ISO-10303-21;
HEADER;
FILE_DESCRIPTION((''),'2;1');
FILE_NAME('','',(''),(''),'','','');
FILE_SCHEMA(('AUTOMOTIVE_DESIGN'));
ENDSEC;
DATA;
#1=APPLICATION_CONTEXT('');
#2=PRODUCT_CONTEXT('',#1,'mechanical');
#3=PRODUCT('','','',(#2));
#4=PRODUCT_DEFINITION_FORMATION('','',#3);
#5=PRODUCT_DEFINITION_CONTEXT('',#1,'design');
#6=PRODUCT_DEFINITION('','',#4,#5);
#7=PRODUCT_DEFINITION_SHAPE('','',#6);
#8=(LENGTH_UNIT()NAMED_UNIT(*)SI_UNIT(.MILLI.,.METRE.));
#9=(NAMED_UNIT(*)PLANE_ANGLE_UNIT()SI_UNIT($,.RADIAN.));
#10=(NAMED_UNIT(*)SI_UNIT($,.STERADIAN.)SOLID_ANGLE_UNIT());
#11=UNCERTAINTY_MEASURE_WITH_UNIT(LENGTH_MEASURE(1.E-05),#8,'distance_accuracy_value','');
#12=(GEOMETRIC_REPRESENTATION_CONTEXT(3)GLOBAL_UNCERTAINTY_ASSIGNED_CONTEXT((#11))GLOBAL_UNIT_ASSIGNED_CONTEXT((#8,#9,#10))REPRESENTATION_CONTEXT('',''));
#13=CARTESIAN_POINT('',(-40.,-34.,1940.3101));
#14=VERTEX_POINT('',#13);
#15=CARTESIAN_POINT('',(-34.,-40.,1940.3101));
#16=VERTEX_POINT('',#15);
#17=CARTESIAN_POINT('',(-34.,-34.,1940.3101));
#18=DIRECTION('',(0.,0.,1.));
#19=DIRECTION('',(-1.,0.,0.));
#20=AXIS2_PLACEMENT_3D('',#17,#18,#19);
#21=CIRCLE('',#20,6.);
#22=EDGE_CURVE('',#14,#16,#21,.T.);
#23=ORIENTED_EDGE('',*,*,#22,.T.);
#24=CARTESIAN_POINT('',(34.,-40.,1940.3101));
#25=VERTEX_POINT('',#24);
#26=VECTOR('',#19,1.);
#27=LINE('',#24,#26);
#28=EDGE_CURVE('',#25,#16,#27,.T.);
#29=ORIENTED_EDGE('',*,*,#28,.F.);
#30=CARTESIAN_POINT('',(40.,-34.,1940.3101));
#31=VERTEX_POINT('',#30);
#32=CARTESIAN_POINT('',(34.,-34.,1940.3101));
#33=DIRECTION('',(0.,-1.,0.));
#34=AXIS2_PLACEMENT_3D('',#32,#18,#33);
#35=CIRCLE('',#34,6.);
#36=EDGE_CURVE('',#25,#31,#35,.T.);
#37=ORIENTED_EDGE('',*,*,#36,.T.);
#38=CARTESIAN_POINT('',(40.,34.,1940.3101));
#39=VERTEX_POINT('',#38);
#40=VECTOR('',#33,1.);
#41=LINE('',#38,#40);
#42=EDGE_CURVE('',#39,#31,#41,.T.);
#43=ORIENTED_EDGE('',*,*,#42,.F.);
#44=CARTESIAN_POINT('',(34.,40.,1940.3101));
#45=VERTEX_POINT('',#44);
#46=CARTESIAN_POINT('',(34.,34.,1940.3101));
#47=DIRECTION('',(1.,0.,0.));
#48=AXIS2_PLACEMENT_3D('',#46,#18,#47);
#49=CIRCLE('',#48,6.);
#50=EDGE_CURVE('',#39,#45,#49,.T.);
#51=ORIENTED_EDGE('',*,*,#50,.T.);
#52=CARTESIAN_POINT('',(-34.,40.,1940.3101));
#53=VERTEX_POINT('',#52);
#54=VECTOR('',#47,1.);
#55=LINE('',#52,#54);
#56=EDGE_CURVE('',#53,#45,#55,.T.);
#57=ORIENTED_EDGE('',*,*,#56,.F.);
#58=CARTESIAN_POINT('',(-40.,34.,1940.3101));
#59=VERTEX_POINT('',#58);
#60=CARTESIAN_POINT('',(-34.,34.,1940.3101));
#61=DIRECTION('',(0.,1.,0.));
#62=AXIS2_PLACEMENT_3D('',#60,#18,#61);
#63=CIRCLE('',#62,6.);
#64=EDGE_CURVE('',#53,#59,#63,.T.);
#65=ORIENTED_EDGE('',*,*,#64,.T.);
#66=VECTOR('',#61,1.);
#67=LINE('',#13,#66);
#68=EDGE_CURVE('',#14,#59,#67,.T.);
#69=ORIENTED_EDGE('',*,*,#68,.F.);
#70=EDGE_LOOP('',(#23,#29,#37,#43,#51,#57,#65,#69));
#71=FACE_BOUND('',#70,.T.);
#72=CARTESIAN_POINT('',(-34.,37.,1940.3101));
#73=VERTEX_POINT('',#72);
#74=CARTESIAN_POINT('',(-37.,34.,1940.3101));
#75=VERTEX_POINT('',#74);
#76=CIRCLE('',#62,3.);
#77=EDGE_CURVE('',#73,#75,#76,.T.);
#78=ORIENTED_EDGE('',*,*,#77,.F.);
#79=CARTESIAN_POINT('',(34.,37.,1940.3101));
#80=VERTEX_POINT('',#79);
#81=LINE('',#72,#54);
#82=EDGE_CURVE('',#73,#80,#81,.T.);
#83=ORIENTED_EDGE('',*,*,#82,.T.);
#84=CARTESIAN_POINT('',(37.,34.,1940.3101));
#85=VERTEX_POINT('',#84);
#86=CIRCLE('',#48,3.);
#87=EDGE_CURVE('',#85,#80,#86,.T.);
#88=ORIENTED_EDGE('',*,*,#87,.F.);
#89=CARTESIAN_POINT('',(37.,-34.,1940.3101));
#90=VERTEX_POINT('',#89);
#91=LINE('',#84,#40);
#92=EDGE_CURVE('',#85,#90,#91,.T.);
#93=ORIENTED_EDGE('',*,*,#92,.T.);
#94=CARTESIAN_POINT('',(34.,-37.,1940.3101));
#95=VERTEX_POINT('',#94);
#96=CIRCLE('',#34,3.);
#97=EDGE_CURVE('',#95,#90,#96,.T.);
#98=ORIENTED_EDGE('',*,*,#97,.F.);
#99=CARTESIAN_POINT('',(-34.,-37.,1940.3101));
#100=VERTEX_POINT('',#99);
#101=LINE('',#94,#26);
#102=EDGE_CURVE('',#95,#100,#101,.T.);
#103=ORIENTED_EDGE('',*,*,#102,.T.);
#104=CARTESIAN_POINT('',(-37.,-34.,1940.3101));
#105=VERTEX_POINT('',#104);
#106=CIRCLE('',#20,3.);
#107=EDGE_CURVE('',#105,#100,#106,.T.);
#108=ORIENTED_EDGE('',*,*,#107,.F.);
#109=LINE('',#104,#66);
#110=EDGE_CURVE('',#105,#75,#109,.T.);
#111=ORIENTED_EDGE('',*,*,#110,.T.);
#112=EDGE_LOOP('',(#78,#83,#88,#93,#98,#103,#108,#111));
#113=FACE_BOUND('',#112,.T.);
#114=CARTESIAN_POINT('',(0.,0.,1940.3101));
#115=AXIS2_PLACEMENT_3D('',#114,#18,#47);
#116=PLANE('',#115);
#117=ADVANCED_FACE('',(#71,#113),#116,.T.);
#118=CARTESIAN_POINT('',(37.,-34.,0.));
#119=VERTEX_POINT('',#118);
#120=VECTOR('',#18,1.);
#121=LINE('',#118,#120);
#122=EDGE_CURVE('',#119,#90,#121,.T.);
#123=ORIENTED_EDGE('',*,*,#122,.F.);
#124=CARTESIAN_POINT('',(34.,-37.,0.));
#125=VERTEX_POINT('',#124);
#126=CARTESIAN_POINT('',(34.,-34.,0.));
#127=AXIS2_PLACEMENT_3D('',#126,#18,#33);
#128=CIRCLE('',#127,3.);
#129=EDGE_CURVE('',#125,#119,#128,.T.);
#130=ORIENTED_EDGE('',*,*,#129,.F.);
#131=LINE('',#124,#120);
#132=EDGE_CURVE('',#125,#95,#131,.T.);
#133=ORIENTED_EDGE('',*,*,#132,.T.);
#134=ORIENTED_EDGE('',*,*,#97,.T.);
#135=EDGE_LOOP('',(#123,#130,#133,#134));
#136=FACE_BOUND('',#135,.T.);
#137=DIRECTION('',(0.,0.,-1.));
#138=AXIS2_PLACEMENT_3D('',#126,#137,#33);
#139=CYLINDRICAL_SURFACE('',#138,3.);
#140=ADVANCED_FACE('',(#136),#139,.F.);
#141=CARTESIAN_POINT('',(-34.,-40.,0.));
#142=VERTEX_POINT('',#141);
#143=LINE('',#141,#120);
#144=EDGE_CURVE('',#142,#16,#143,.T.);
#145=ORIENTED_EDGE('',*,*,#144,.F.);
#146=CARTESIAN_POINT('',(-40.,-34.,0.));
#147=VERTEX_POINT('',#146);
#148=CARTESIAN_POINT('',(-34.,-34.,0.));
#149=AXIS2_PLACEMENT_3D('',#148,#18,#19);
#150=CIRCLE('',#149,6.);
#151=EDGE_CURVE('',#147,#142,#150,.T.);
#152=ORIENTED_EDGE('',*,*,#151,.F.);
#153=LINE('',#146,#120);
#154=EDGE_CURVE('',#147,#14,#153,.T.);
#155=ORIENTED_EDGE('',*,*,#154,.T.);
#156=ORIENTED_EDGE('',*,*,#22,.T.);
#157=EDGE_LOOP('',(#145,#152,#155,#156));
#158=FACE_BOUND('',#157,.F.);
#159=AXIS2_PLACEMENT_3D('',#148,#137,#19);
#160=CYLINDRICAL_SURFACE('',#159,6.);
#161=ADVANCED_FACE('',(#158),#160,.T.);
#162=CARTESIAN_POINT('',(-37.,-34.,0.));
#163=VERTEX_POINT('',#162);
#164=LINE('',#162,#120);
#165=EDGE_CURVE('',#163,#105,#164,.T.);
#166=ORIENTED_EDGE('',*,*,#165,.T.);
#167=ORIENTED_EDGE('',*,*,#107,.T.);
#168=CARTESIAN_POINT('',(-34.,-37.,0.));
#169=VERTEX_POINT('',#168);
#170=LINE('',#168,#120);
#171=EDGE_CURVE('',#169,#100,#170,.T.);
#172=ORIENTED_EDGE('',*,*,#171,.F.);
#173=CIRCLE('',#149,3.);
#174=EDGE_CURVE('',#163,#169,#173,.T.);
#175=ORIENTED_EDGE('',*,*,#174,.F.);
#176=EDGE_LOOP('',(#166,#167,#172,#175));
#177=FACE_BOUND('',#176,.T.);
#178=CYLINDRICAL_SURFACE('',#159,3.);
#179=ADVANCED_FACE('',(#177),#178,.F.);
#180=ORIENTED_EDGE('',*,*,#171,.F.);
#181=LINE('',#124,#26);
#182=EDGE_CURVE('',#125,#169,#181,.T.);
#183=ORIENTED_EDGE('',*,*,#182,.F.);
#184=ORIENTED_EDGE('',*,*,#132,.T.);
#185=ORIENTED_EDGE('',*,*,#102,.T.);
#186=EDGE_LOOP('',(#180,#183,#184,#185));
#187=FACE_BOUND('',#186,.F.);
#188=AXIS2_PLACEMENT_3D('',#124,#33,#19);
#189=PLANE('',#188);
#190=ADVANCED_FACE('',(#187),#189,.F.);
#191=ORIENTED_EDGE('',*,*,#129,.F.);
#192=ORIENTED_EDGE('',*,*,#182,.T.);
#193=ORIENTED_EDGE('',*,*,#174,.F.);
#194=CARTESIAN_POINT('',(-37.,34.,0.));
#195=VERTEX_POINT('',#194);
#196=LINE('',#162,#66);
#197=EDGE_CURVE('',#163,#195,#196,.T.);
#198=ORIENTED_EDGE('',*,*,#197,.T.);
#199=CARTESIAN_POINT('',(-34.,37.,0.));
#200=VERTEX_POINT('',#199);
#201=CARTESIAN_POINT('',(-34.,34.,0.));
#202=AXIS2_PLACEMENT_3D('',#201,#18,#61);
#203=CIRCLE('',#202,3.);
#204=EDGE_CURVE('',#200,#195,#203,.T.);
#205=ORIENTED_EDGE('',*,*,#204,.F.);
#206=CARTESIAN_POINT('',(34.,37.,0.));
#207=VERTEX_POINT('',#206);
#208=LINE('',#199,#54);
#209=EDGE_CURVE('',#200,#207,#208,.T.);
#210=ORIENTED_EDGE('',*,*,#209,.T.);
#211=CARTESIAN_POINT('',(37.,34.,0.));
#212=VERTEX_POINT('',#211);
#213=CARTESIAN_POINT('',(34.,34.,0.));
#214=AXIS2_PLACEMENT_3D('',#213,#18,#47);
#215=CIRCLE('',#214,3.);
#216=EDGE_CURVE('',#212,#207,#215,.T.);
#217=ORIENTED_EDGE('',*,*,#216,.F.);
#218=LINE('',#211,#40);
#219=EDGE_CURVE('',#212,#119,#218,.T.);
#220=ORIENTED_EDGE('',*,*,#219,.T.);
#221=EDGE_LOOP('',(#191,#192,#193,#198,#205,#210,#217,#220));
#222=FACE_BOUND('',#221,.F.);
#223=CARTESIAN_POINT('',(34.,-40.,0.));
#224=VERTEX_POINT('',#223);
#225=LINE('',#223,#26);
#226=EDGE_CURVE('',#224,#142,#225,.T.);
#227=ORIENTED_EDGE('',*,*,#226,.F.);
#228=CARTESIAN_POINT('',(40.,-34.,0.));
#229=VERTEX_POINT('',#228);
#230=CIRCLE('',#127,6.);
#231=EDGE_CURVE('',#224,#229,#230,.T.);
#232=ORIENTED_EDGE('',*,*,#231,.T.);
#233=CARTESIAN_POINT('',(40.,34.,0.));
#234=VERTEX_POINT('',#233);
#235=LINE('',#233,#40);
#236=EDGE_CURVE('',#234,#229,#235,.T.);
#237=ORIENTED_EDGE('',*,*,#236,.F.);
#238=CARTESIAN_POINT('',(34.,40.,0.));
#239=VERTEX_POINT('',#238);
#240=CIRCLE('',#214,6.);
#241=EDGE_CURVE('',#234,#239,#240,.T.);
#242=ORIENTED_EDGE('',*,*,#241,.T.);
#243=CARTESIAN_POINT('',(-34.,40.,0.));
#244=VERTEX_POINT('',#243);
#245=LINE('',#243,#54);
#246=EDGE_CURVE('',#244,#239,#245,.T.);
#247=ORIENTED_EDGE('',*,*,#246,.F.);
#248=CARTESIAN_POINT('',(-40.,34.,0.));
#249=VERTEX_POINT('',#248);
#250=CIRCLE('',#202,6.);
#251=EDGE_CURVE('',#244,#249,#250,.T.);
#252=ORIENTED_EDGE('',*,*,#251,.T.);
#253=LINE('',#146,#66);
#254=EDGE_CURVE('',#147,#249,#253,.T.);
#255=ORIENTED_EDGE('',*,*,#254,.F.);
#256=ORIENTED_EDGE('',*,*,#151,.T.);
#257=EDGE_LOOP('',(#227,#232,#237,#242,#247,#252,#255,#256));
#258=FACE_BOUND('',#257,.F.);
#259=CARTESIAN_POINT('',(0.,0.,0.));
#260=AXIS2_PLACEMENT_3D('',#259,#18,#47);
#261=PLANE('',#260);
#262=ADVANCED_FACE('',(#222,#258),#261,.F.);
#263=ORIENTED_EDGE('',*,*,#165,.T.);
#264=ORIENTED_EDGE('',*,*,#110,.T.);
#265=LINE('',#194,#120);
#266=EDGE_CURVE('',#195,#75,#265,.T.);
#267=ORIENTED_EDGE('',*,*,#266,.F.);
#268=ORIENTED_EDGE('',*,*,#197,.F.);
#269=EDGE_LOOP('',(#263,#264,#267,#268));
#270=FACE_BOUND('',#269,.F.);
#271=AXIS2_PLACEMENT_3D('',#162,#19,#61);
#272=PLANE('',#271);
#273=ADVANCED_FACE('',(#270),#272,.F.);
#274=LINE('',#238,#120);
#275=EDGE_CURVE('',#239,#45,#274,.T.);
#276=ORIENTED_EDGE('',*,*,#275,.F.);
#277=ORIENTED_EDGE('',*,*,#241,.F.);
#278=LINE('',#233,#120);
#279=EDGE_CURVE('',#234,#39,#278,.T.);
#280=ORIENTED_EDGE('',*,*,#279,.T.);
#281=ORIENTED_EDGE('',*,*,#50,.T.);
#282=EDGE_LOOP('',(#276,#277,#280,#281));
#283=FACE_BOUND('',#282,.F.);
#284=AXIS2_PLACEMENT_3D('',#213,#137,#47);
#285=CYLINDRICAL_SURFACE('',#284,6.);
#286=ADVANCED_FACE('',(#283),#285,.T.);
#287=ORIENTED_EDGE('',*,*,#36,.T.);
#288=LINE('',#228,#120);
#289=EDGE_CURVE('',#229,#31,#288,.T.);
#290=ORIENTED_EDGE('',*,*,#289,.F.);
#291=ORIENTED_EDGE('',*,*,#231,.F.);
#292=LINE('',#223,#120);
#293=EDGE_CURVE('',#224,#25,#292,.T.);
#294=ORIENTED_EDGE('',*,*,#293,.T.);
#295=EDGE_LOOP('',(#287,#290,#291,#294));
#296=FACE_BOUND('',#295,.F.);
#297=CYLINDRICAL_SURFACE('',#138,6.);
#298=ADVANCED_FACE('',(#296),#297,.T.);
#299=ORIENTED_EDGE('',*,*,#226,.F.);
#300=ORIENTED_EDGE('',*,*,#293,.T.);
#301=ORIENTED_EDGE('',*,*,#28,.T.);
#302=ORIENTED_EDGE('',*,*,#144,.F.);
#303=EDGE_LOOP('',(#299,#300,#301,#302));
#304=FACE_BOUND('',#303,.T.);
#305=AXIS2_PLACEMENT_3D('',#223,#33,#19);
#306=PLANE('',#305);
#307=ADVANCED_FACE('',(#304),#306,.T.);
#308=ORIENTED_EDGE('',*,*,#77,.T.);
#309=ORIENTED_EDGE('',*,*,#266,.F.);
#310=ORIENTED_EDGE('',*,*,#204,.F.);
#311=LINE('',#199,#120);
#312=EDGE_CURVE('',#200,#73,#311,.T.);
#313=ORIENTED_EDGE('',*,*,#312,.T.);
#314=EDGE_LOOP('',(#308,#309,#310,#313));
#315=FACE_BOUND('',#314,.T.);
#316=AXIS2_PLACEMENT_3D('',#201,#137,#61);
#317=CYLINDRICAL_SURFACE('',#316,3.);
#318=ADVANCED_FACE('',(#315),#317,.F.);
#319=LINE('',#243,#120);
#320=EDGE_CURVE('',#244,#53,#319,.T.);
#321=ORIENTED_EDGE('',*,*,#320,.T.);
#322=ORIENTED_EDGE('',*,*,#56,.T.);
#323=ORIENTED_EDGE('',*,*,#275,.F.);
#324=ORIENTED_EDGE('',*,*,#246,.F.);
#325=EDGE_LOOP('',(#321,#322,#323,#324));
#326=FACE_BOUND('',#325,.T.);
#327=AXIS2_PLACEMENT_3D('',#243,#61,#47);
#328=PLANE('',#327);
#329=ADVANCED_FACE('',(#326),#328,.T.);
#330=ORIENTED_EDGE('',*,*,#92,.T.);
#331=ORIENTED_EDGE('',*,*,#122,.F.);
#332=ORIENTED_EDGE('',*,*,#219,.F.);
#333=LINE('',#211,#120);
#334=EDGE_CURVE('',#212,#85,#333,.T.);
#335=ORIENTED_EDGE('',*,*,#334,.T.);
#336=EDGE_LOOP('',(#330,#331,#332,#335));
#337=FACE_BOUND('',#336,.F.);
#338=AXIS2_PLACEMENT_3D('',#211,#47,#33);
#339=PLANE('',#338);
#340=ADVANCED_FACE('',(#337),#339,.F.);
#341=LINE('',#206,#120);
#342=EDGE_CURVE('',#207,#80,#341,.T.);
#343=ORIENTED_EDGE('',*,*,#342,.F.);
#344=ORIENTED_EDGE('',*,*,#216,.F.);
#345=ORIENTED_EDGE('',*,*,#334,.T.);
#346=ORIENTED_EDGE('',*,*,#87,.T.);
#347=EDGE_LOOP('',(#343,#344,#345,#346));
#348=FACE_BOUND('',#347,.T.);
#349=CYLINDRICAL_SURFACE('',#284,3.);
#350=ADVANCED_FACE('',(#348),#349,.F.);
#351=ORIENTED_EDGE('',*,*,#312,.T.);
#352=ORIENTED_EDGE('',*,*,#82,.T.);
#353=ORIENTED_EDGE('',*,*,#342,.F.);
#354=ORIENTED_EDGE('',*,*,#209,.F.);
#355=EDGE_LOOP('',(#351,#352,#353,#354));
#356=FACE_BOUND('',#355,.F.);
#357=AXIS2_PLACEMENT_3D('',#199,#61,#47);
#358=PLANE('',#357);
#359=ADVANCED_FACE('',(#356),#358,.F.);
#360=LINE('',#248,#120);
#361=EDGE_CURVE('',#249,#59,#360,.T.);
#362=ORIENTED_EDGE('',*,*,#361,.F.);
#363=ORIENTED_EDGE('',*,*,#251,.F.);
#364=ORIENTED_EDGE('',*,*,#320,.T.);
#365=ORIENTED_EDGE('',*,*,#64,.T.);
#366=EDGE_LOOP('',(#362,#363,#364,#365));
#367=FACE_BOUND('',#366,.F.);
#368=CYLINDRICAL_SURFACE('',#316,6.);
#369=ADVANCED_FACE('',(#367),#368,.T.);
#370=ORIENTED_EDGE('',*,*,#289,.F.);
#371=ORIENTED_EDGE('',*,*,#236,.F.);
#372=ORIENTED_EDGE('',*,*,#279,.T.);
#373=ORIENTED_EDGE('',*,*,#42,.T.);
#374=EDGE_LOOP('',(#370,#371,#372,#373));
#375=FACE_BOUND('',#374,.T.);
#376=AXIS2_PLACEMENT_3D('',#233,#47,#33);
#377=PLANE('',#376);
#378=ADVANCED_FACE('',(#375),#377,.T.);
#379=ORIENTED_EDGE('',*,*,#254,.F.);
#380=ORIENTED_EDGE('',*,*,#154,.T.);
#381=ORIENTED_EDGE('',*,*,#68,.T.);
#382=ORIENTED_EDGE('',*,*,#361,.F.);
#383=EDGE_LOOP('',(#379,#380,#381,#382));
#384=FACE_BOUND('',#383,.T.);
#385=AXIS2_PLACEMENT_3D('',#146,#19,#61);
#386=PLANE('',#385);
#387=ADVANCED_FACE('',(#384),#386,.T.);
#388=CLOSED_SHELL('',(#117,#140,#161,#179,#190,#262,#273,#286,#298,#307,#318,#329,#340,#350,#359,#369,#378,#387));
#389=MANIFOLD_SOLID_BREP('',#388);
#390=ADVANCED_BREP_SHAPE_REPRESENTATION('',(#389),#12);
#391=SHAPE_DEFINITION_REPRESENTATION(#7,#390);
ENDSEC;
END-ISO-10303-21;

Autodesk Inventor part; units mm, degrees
ref_plane "YZ Plane" through (0, 0, 0) normal (1, 0, 0) x (0, 1, 0)
ref_plane "Start Plane" through (0, 0, 0) normal (0, 0, 1) x (1, 0, 0)
ref_plane "End Plane" through (0, 0, 1940.3101) normal (0, 0, 1) x (1, 0, 0)
sketch "Sketch" plane through (0, 0, 0) normal (0, 0, 1) x (1, 0, 0)
  line L0 (-40, -34) -> (-40, 34)
  line L1 (-34, 40) -> (34, 40)
  line L2 (40, 34) -> (40, -34)
  line L3 (34, -40) -> (-34, -40)
  arc A0 (-40, -34) -> (-34, -40) centre (-34, -34) ccw
  arc A1 (40, 34) -> (34, 40) centre (34, 34) ccw
  arc A2 (-34, 40) -> (-40, 34) centre (-34, 34) ccw
  arc A3 (34, -40) -> (40, -34) centre (34, -34) ccw
  arc A4 (-34, 37) -> (-37, 34) centre (-34, 34) ccw
  line L4 (-34, 37) -> (34, 37)
  arc A5 (37, 34) -> (34, 37) centre (34, 34) ccw
  line L5 (37, 34) -> (37, -34)
  arc A6 (34, -37) -> (37, -34) centre (34, -34) ccw
  line L6 (34, -37) -> (-34, -37)
  arc A7 (-37, -34) -> (-34, -37) centre (-34, -34) ccw
  line L7 (-37, -34) -> (-37, 34)
  line L8 (0, 57.7397) -> (0, -57.7397) construction
  line L9 (-57.7397, 0) -> (57.7397, 0) construction
  dimension "d7" = 6
  dimension "d9" = 80
  dimension "d11" = 80
  dimension "d12" = 3
  dimension "d15" = 40
  dimension "d16" = 40
extrude "Body" add sketch "Sketch" along normal up to surface (1940.3101 mm away) from surface at 0
sketch "Sketch3" plane through (0, 0, 0) normal (0, 0, 1) x (1, 0, 0)
  line L0 (0, 0) -> (10, 0)
ref_plane "Work Plane3" through (0, 0, 0) normal (0, -1, 0) x (1, 0, 0)
sketch "Sketch4" plane through (0, 0, 0) normal (0, -1, 0) x (1, 0, 0)
  line L0 (-2, 0) -> (12, 0) projected
  line L1 (-2, 1940.3101) -> (12, 1940.3101) projected
  dimension "d18" = 1940.3101
equation "\"d7\" = G_IR"
equation "\"d9\" = G_W"
equation "\"d11\" = G_H"
equation "\"d12\" = G_T"
equation "\"d15\" = 0.5 * d9"
equation "\"d16\" = 0.5 * d11"
equation "\"d3\" = G_L"
equation "\"G_W\" = 80"
equation "\"G_H\" = 80"
equation "\"G_T\" = 3"
equation "\"G_IR\" = 6"
equation "\"G_L\" = d18"
equation "\"G_OFFSET_START\" = 0"
equation "\"G_OFFSET_END\" = 0"
equation "\"d14\" = G_OFFSET_END + B_L"
equation "\"B_L\" = 1940.31012"
properties part number "ISO 10799-2 - 80x80x3 - 1940,31" material "Steel, Mild"
